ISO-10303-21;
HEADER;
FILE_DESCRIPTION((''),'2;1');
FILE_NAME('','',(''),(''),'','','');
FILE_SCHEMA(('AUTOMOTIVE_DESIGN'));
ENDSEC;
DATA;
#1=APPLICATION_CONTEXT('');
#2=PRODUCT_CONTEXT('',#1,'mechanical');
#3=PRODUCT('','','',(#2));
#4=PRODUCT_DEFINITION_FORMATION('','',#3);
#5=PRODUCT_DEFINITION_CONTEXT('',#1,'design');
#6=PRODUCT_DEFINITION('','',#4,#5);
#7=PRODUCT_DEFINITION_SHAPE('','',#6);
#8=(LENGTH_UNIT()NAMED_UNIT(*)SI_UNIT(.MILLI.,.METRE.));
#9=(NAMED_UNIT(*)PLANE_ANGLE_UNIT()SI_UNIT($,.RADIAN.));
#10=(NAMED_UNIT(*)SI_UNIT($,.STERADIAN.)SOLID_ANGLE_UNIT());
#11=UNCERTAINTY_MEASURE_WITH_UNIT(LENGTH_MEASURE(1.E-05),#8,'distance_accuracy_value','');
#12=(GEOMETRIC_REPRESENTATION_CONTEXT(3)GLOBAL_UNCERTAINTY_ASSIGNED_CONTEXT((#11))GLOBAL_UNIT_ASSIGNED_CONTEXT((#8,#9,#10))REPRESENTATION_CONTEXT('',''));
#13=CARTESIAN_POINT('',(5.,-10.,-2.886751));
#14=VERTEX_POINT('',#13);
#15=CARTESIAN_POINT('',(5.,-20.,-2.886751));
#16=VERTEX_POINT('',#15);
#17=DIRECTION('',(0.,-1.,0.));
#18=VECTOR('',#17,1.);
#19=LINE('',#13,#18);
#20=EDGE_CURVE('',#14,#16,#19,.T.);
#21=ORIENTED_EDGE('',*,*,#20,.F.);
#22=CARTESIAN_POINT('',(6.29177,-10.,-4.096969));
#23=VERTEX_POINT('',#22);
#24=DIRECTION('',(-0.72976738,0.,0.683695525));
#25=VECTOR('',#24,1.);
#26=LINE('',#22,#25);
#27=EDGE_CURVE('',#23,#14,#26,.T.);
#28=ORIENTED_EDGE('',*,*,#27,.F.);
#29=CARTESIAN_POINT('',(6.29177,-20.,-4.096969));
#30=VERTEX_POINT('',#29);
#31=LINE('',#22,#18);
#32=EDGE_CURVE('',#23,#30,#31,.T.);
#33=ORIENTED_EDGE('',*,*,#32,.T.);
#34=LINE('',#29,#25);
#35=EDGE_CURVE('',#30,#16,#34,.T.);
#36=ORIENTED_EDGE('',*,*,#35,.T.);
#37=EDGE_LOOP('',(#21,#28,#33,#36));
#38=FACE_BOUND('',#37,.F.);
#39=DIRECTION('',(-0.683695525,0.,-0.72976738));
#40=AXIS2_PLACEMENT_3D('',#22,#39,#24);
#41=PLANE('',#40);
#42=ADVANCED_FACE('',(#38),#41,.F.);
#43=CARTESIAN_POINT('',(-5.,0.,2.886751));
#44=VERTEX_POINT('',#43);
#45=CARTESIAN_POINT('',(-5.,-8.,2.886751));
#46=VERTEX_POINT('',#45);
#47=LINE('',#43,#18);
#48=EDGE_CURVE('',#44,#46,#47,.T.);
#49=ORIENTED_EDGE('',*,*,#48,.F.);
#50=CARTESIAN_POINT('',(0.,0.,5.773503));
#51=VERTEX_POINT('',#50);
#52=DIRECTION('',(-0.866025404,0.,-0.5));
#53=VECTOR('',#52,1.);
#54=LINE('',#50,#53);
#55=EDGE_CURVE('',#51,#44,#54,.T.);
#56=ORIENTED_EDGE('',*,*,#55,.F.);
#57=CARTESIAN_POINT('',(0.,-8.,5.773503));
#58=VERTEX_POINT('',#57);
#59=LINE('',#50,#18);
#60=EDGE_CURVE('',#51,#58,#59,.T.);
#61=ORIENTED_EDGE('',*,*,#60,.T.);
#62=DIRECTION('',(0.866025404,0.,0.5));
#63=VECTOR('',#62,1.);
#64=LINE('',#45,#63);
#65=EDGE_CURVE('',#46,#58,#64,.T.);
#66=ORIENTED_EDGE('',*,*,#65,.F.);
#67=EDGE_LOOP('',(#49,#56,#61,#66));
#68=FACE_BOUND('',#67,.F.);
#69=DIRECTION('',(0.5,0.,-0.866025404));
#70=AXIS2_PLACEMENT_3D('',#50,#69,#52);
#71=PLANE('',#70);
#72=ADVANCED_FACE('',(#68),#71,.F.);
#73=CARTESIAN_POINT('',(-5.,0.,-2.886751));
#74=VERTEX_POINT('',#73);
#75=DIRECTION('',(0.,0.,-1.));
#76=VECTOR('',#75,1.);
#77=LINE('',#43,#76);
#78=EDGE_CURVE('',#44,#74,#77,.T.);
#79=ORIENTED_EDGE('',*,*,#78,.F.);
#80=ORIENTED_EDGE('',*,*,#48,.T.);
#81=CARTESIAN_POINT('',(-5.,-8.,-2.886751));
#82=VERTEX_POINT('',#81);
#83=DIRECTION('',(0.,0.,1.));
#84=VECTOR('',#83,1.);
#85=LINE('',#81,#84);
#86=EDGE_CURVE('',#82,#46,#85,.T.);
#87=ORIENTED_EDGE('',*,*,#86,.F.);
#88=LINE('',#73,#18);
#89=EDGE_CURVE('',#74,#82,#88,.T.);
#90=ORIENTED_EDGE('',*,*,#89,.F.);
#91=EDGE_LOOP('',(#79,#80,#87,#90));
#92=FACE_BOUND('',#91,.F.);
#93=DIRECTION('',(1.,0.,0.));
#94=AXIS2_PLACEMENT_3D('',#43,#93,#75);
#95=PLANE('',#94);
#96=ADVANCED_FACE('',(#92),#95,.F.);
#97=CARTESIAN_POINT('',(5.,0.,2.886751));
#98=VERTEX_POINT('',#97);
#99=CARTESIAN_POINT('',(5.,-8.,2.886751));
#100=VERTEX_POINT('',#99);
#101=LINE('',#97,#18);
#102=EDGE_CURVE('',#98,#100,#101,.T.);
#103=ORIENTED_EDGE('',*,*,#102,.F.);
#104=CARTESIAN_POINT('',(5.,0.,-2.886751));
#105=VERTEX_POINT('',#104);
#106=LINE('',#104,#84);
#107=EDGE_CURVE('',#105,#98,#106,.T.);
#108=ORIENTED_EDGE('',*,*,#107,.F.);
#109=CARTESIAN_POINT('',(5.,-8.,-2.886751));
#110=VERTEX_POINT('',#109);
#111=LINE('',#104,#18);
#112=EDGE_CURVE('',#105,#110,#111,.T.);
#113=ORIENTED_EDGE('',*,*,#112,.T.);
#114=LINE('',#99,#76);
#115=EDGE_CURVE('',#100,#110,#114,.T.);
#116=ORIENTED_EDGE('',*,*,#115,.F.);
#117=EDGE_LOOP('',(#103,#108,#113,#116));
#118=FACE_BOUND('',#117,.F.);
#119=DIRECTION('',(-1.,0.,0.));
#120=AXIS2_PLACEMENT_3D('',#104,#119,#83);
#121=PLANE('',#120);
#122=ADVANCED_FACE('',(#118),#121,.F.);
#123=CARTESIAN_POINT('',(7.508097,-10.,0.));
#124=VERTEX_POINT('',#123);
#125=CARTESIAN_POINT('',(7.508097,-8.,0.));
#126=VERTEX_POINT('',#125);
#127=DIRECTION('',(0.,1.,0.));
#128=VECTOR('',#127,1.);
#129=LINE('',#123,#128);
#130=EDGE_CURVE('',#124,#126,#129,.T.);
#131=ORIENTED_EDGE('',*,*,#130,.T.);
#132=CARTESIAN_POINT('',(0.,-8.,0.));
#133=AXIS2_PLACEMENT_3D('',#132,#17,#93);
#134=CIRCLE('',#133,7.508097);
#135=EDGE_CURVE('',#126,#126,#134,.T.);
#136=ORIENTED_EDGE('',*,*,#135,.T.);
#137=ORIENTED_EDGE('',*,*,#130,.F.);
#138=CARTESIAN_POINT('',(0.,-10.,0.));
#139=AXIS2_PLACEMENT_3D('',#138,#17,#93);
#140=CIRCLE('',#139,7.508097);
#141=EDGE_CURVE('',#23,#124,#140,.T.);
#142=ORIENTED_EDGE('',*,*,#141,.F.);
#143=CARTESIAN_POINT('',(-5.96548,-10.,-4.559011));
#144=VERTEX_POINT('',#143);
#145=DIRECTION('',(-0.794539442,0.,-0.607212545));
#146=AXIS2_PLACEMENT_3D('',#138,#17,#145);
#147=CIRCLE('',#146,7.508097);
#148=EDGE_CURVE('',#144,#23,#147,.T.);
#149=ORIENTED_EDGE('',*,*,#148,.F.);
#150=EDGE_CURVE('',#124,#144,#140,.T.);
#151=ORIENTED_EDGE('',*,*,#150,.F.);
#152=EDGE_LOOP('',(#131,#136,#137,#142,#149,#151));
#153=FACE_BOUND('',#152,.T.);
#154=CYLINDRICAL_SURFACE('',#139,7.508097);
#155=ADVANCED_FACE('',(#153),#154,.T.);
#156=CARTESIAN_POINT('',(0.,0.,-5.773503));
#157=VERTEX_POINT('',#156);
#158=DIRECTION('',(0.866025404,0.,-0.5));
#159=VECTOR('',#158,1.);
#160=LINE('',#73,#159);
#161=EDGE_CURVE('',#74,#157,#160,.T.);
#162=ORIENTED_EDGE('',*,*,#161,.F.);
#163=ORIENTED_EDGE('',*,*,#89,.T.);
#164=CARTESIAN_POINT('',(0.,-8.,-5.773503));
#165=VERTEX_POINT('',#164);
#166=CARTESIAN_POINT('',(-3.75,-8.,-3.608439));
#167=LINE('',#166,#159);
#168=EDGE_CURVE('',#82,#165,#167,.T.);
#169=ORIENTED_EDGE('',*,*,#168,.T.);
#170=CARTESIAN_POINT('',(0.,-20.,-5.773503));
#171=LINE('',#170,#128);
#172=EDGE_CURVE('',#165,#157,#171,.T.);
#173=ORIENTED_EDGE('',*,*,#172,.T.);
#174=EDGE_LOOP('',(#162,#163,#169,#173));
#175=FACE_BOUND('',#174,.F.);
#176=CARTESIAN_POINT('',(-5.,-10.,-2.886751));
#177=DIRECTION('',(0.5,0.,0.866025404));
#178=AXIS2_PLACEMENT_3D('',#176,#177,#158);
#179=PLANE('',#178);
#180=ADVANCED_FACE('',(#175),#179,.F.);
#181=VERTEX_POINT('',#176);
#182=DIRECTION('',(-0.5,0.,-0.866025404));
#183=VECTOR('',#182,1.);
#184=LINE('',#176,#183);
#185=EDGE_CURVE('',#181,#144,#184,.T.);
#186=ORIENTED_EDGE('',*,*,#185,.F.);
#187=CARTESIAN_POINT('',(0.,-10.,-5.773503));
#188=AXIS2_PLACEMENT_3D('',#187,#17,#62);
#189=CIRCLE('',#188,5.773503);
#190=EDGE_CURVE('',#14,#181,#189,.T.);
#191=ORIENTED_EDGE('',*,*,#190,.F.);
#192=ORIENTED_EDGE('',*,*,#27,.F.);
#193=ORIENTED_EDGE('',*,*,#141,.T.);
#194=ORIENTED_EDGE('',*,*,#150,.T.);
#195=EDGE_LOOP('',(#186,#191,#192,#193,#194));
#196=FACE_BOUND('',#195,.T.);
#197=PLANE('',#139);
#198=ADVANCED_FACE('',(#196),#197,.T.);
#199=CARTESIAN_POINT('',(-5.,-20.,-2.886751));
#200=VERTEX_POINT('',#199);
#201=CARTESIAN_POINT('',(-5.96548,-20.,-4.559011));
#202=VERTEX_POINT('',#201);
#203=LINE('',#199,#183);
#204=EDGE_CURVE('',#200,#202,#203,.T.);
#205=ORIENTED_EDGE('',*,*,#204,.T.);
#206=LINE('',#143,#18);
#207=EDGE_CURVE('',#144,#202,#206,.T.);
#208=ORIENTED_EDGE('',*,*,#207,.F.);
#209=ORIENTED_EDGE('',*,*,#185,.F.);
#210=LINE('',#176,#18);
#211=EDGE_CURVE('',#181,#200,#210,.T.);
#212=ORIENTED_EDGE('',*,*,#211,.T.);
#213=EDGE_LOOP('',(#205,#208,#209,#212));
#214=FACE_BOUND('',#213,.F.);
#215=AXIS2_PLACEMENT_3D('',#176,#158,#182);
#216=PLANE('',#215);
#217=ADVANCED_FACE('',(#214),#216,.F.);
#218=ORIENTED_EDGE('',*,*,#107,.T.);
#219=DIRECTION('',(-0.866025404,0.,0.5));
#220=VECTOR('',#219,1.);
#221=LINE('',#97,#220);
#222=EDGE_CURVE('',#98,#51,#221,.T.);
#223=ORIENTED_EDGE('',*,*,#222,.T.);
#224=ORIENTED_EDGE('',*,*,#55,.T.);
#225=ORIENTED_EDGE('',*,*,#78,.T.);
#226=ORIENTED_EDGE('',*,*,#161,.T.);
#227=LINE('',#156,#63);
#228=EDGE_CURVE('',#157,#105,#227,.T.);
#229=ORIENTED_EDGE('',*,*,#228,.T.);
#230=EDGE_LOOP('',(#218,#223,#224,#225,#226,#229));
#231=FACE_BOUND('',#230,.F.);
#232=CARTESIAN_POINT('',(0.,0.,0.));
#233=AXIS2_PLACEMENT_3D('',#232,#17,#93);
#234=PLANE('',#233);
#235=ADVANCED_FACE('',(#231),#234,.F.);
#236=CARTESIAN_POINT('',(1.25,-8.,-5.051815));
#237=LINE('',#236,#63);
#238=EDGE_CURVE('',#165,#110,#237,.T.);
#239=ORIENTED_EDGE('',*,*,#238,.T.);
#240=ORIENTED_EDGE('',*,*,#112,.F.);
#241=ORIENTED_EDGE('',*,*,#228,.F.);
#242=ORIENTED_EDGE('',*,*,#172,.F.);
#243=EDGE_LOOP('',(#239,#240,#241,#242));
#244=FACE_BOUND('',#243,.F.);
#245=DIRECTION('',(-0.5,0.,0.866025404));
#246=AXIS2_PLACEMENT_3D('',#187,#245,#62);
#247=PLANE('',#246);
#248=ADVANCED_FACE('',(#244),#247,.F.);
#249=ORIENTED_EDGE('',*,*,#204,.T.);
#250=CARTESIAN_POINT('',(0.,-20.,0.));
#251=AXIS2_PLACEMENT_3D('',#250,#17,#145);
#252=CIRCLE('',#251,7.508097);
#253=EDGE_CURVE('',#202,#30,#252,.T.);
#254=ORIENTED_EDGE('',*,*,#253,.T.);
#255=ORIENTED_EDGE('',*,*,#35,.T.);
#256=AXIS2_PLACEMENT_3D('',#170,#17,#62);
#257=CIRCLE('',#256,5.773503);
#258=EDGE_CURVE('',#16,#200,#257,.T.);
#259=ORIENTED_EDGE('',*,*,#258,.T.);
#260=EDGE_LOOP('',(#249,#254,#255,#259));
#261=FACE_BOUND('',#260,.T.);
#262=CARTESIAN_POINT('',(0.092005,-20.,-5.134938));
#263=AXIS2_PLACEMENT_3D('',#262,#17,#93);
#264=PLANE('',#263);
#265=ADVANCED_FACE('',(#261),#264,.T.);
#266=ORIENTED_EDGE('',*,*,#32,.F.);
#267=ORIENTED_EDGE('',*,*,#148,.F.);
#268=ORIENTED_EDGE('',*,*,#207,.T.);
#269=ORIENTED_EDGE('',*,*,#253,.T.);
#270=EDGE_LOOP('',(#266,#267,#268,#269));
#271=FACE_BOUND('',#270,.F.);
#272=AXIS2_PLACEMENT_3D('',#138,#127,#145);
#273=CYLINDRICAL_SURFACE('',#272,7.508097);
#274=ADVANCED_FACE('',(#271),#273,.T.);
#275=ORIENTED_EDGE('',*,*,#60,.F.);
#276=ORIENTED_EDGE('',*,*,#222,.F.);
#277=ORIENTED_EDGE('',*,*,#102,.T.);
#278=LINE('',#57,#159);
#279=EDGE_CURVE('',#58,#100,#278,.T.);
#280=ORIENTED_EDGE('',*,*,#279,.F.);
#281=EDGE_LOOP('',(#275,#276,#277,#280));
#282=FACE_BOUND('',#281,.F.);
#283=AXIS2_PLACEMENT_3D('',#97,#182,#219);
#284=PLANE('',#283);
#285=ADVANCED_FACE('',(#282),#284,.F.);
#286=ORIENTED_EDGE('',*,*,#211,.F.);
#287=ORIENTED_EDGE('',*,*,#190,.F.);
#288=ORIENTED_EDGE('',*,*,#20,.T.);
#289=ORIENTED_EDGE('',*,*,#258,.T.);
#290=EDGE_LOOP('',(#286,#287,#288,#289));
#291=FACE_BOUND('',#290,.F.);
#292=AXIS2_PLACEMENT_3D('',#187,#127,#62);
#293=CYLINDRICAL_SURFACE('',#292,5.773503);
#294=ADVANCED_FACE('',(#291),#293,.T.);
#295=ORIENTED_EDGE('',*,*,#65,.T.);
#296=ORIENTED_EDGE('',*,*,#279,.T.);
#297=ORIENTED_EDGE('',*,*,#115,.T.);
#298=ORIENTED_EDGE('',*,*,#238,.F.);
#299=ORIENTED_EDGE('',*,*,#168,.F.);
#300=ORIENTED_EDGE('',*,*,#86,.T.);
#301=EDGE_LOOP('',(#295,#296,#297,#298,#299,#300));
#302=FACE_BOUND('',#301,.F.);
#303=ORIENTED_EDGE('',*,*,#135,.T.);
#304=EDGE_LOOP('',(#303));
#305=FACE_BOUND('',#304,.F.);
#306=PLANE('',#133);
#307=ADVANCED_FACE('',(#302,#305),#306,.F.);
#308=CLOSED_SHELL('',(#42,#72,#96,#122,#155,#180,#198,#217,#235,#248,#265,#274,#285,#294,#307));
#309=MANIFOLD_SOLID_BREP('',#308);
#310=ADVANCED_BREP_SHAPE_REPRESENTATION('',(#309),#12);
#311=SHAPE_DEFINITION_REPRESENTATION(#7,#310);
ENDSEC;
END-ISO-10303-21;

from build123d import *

# Parameters (mm, degrees)
F1_DEPTH = 10
F3_DEPTH = 10
F4_R     = 7.5080974038
F5_DEPTH = 2
F7_DEPTH = 10


with BuildPart() as f1:
    # F0 (on Front) → F1 (new body)
    with BuildSketch(Plane.XZ):
        Polygon((5, 2.8867513459), (0, 5.7735026919), (-5, 2.8867513459), (-5, -2.8867513459), (0, -5.7735026919), (5, -2.8867513459), align=None)
    extrude(amount=F1_DEPTH)

    # F2 (on face) → F3 (join)
    with BuildSketch(Plane.XZ.offset(10)):
        with BuildLine():
            Line((0, -5.7735026919), (5, -2.8867513459))
            ThreePointArc((5, -2.8867513459), (0, 0), (-5, -2.8867513459))
            Line((-5, -2.8867513459), (0, -5.7735026919))
        make_face()
    extrude(amount=F3_DEPTH)

    # F4 (on face) → F5 (join)
    with BuildSketch(Plane.XZ.offset(10)):
        Circle(F4_R)
        with BuildLine():
            ThreePointArc((5, -2.8867513459), (0, 0), (-5, -2.8867513459))
            Line((-5, -2.8867513459), (-5, 2.8867513459))
            Line((-5, 2.8867513459), (0, 5.7735026919))
            Line((0, 5.7735026919), (5, 2.8867513459))
            Line((5, 2.8867513459), (5, -2.8867513459))
        make_face(mode=Mode.SUBTRACT)
    extrude(amount=-F5_DEPTH)

    # F6 (on face) → F7 (join, through all)
    with BuildSketch(Plane.XZ.offset(10)):
        with BuildLine():
            Line((0, -5.7735026919), (-5, -2.8867513459))
            Line((-5, -2.8867513459), (-5.9654795228, -4.5590109331))
            ThreePointArc((-5.9654795228, -4.5590109331), (0.28281982, -7.5027687939), (6.2917700935, -4.0969690889))
            Line((6.2917700935, -4.0969690889), (5, -2.8867513459))
            Line((5, -2.8867513459), (0, -5.7735026919))
        make_face()
    extrude(amount=F7_DEPTH)


solid = f1.part
